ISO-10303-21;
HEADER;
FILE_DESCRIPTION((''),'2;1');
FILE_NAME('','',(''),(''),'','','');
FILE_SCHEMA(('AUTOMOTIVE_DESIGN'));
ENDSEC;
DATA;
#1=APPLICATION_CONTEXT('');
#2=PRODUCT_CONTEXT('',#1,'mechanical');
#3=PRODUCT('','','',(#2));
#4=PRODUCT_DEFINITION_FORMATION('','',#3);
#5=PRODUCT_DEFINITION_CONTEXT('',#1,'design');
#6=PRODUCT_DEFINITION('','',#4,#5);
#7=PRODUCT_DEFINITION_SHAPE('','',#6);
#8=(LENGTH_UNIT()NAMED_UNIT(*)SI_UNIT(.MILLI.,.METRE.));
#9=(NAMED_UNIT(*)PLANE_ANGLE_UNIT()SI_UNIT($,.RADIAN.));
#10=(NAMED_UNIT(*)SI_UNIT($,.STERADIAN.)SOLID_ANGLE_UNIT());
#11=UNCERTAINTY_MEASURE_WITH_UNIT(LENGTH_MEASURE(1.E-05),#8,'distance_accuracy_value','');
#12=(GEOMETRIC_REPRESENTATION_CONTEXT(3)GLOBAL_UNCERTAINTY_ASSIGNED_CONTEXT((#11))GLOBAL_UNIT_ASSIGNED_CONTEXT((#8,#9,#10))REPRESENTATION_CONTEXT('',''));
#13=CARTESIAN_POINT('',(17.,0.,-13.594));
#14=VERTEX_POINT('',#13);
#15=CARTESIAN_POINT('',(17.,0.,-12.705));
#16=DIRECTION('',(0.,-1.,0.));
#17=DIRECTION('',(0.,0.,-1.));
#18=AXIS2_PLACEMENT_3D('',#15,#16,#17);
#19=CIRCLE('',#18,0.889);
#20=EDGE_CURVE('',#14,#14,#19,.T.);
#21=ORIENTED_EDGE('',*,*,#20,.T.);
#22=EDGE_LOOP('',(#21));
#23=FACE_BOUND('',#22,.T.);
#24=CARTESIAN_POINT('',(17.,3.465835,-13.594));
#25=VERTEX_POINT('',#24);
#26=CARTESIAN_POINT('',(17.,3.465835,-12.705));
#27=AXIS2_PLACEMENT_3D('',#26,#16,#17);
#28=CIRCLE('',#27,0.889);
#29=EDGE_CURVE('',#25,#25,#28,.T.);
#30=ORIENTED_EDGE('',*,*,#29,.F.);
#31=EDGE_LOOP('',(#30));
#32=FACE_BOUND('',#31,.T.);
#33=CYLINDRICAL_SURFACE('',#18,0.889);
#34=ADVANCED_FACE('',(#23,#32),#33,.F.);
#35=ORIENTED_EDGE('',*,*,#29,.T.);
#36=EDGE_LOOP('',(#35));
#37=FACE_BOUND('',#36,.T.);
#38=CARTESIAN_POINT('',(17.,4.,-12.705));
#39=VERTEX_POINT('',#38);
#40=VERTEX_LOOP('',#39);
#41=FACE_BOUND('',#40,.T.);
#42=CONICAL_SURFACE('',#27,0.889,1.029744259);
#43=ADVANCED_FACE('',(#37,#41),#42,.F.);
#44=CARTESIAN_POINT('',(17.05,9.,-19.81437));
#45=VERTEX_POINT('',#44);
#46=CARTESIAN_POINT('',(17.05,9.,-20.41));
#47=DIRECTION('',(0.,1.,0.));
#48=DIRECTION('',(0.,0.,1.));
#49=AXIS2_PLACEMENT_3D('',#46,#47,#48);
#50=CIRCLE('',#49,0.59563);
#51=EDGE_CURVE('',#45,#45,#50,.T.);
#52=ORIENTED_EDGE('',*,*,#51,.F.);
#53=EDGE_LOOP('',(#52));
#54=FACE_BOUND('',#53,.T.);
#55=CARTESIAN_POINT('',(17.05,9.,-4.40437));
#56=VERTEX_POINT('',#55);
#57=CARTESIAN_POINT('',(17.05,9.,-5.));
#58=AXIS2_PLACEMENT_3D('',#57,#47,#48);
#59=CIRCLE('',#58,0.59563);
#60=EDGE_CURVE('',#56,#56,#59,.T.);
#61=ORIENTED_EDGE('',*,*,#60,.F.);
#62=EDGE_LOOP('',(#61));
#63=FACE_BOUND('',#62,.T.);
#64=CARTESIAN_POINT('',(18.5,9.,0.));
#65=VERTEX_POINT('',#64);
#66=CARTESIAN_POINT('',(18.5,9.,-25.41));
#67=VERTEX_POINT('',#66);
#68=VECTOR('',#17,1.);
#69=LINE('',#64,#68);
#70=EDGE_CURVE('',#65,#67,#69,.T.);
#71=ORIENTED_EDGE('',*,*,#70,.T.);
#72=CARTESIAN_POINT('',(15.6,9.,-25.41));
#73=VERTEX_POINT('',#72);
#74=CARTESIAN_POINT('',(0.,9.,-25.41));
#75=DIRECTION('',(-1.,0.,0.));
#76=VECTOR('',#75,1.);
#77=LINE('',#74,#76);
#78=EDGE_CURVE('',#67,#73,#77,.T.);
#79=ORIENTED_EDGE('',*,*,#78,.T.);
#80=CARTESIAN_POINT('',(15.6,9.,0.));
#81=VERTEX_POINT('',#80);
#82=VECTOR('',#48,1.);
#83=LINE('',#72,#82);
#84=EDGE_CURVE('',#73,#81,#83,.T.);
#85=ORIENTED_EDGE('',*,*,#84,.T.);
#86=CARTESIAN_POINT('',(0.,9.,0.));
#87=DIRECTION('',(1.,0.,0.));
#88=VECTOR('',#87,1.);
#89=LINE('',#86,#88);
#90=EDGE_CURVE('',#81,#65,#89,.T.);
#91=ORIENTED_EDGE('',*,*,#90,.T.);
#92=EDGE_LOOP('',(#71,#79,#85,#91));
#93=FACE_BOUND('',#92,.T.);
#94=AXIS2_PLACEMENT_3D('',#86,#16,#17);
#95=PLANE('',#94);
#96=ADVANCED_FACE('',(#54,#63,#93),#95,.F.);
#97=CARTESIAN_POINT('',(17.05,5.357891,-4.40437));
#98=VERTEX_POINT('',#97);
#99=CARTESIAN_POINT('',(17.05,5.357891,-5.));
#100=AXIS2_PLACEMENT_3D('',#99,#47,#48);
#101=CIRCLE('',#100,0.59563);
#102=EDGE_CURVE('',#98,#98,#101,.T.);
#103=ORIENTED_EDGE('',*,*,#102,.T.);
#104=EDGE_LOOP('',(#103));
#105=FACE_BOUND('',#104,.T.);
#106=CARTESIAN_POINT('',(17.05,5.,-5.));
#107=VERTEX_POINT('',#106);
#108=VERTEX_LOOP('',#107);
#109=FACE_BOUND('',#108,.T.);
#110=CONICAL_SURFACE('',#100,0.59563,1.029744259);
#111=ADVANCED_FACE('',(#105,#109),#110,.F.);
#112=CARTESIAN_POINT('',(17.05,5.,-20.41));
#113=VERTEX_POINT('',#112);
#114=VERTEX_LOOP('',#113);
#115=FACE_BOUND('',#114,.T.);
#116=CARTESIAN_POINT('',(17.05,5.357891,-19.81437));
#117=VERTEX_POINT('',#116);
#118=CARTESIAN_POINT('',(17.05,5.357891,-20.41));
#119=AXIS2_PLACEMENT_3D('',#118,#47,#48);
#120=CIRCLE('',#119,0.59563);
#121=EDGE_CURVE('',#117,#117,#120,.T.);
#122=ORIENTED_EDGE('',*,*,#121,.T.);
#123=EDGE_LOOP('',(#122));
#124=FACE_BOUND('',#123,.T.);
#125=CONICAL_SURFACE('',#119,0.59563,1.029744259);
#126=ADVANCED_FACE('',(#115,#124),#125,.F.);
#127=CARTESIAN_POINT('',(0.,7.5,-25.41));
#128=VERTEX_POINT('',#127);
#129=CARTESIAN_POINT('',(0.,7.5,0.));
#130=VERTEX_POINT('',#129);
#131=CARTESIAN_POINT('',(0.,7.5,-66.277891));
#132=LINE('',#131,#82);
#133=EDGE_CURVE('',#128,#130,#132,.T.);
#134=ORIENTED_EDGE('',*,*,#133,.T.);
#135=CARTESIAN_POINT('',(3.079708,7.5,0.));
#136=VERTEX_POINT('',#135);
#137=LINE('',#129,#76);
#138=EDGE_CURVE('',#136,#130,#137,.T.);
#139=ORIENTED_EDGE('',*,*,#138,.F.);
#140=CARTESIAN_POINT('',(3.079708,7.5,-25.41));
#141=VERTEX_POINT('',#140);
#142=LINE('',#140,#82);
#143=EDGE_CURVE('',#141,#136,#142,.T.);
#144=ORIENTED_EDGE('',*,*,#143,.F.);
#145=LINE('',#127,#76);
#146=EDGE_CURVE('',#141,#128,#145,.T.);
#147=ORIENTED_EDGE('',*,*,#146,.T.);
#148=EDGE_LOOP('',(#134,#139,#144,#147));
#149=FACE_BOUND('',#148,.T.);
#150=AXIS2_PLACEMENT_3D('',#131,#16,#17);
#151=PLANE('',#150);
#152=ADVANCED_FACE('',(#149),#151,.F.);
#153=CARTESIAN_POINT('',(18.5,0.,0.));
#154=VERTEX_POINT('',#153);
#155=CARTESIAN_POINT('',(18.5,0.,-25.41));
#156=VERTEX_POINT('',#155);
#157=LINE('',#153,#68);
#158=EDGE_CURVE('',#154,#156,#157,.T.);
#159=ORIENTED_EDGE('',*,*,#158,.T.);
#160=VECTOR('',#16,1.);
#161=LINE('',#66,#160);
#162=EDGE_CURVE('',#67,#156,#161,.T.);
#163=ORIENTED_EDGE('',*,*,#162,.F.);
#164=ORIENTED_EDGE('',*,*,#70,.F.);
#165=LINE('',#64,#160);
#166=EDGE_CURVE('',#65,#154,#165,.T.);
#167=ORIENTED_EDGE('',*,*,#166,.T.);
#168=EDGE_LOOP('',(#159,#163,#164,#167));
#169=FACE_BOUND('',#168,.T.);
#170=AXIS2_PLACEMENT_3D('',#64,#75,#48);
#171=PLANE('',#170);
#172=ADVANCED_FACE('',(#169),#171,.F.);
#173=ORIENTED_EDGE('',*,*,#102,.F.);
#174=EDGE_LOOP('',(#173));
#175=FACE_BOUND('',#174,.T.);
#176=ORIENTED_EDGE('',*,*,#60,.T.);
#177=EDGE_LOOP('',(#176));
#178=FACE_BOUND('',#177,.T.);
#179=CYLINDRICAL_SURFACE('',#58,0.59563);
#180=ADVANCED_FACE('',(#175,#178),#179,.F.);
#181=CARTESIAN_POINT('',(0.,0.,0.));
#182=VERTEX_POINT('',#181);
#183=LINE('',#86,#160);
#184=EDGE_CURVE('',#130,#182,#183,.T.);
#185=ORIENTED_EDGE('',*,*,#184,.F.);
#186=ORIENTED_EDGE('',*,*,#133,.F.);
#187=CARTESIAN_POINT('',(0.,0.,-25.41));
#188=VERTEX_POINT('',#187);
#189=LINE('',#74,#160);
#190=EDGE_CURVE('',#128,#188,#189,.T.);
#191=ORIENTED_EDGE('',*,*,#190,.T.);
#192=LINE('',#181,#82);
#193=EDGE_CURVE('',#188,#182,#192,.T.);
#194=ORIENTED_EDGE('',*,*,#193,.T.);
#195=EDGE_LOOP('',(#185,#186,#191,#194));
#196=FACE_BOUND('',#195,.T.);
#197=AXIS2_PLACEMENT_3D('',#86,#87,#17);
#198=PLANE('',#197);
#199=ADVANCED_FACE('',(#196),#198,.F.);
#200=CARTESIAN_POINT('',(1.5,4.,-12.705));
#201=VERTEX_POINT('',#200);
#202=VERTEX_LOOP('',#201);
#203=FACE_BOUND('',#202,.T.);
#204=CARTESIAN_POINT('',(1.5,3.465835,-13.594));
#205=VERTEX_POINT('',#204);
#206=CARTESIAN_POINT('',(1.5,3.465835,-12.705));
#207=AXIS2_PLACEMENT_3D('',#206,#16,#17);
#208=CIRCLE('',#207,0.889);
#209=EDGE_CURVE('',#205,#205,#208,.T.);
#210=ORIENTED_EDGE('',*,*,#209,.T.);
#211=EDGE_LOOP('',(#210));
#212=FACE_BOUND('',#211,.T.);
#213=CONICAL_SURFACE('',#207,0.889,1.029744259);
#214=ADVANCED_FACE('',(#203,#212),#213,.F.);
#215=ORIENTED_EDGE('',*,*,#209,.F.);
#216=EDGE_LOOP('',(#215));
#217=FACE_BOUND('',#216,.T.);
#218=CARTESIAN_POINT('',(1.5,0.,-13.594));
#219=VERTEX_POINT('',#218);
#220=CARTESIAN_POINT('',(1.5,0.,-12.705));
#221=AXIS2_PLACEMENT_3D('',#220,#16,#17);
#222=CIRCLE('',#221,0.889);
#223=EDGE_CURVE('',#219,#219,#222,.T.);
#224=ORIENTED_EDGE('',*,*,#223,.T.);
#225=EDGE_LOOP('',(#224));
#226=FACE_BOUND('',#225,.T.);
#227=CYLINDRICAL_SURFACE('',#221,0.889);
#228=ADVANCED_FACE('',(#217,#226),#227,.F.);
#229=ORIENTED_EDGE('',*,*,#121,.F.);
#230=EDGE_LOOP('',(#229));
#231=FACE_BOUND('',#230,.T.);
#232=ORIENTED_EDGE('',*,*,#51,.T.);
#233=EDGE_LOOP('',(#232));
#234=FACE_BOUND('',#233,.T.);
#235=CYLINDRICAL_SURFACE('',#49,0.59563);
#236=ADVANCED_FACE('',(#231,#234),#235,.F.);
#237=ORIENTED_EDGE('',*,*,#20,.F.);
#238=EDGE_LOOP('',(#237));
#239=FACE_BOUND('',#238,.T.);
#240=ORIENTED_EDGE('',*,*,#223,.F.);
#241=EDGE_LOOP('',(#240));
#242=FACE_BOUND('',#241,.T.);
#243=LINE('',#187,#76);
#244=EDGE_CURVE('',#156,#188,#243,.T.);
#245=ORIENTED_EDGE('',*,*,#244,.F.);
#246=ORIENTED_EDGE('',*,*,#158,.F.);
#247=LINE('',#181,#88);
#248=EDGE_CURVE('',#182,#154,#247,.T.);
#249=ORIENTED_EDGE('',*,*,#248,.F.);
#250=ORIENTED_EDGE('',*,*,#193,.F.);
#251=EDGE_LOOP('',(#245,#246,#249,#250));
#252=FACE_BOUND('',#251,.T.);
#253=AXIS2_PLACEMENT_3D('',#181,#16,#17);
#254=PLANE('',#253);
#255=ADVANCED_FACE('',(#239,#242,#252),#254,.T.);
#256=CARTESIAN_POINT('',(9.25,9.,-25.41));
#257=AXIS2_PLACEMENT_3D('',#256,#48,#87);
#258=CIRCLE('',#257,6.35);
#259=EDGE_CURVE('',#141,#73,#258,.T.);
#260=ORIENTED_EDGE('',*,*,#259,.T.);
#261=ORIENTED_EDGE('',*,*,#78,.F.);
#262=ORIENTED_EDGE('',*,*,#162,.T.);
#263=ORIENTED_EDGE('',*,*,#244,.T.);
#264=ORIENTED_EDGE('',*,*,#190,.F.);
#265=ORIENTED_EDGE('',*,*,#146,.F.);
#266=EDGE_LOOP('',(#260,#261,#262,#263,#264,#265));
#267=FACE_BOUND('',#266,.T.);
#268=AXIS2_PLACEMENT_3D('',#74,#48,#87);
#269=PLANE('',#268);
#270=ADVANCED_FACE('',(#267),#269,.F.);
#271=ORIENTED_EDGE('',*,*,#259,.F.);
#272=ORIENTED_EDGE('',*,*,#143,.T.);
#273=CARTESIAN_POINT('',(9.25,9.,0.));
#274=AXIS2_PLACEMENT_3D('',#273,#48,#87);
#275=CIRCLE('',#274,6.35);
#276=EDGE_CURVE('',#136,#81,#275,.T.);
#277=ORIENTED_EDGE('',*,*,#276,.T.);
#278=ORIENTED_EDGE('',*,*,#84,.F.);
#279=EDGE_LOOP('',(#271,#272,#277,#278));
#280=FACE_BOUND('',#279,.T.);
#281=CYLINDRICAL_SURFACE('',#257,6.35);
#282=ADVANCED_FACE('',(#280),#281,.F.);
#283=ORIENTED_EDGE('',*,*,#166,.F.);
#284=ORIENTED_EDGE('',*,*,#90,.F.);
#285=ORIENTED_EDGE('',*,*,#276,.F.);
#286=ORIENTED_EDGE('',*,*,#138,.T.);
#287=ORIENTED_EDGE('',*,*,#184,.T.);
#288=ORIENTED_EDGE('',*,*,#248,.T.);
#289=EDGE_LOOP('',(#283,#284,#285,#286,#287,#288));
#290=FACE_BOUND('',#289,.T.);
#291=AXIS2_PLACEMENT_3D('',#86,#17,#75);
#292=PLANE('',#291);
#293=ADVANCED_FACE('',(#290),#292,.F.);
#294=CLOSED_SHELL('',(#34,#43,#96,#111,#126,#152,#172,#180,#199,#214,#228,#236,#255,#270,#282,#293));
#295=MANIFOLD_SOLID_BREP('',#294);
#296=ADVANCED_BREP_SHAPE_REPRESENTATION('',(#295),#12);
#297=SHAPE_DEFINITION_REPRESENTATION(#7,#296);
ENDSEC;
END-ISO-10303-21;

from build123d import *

# Parameters (mm, degrees)
SKETCH2_W                 = 18.5
SKETCH2_H                 = 25.41
BOSS_EXTRUDE1_DEPTH       = 9
CUT_EXTRUDE1_DEPTH        = 25.41
F_0_80_TAPPED_HOLE1_D     = 1.19126
F_0_80_TAPPED_HOLE1_DEPTH = 3.642109389
F_0_80_TAPPED_HOLE1_TIP   = 0.357890611
CUT_EXTRUDE3_DEPTH        = 33.694312961
CUT_EXTRUDE3_DEPTH_BACK   = 25.41
F_2_56_TAPPED_HOLE3_D     = 1.778
F_2_56_TAPPED_HOLE3_DEPTH = 3.46583491
F_2_56_TAPPED_HOLE3_TIP   = 0.53416509


with BuildPart() as part:
    # Sketch2 → Boss-Extrude1 (new body)
    with BuildSketch(Plane(origin=(0, 0, 0), x_dir=(1, 0, 0), z_dir=(0, 1, 0))):
        with Locations((9.25, 12.705)):
            Rectangle(SKETCH2_W, SKETCH2_H)
    extrude(amount=BOSS_EXTRUDE1_DEPTH)

    # Sketch6 → Cut-Extrude1 (cut)
    with BuildSketch(Plane.XY):
        with BuildLine():
            Line((2.9, 9), (15.6, 9))
            ThreePointArc((15.6, 9), (9.25, 2.65), (2.9, 9))
        make_face()
    extrude(amount=-CUT_EXTRUDE1_DEPTH, mode=Mode.SUBTRACT)

    # #0-80 Tapped Hole1
    with Locations(Plane(origin=(0, 9, 0), x_dir=(1, 0, 0), z_dir=(0, 1, 0))):
        with Locations((17.05, 20.41), (17.05, 5)):
            Hole(F_0_80_TAPPED_HOLE1_D / 2, depth=F_0_80_TAPPED_HOLE1_DEPTH)
            with Locations((0, 0, -(F_0_80_TAPPED_HOLE1_DEPTH + F_0_80_TAPPED_HOLE1_TIP / 2))):  # 118° drill point
                Cone(0, F_0_80_TAPPED_HOLE1_D / 2, F_0_80_TAPPED_HOLE1_TIP, mode=Mode.SUBTRACT)

    # Sketch14 → Cut-Extrude3 (cut, two sides)
    with BuildSketch(Plane(origin=(0, 0, -25.41), x_dir=(-1, 0, 0), z_dir=(0, 0, -1))) as cut_extrude3_sk:
        Polygon((0, 60.146081223), (0, 9), (0, 7.5), (-3.246658661, 7.5), (-2.9, 9), (8.616604878, 58.832614185), (24.031387378, 159.956651774), (15.4147825, 161.270118812), align=None)
    extrude(amount=CUT_EXTRUDE3_DEPTH, mode=Mode.SUBTRACT)
    extrude(cut_extrude3_sk.sketch, amount=-CUT_EXTRUDE3_DEPTH_BACK, mode=Mode.SUBTRACT)


with BuildPart() as cut_extrude3_kept_piece:
    # of the separate pieces the step leaves, the one the design keeps (cut_extrude3_pieces_kept)
    add(part.part.solids().sort_by_distance((0, 0, 0))[0])

    # #2-56 Tapped Hole3
    with Locations(Plane(origin=(0, 0, 0), x_dir=(-1, 0, 0), z_dir=(0, -1, 0))):
        with Locations((-17, 12.705), (-1.5, 12.705)):
            Hole(F_2_56_TAPPED_HOLE3_D / 2, depth=F_2_56_TAPPED_HOLE3_DEPTH)
            with Locations((0, 0, -(F_2_56_TAPPED_HOLE3_DEPTH + F_2_56_TAPPED_HOLE3_TIP / 2))):  # 118° drill point
                Cone(0, F_2_56_TAPPED_HOLE3_D / 2, F_2_56_TAPPED_HOLE3_TIP, mode=Mode.SUBTRACT)


solid = cut_extrude3_kept_piece.part
